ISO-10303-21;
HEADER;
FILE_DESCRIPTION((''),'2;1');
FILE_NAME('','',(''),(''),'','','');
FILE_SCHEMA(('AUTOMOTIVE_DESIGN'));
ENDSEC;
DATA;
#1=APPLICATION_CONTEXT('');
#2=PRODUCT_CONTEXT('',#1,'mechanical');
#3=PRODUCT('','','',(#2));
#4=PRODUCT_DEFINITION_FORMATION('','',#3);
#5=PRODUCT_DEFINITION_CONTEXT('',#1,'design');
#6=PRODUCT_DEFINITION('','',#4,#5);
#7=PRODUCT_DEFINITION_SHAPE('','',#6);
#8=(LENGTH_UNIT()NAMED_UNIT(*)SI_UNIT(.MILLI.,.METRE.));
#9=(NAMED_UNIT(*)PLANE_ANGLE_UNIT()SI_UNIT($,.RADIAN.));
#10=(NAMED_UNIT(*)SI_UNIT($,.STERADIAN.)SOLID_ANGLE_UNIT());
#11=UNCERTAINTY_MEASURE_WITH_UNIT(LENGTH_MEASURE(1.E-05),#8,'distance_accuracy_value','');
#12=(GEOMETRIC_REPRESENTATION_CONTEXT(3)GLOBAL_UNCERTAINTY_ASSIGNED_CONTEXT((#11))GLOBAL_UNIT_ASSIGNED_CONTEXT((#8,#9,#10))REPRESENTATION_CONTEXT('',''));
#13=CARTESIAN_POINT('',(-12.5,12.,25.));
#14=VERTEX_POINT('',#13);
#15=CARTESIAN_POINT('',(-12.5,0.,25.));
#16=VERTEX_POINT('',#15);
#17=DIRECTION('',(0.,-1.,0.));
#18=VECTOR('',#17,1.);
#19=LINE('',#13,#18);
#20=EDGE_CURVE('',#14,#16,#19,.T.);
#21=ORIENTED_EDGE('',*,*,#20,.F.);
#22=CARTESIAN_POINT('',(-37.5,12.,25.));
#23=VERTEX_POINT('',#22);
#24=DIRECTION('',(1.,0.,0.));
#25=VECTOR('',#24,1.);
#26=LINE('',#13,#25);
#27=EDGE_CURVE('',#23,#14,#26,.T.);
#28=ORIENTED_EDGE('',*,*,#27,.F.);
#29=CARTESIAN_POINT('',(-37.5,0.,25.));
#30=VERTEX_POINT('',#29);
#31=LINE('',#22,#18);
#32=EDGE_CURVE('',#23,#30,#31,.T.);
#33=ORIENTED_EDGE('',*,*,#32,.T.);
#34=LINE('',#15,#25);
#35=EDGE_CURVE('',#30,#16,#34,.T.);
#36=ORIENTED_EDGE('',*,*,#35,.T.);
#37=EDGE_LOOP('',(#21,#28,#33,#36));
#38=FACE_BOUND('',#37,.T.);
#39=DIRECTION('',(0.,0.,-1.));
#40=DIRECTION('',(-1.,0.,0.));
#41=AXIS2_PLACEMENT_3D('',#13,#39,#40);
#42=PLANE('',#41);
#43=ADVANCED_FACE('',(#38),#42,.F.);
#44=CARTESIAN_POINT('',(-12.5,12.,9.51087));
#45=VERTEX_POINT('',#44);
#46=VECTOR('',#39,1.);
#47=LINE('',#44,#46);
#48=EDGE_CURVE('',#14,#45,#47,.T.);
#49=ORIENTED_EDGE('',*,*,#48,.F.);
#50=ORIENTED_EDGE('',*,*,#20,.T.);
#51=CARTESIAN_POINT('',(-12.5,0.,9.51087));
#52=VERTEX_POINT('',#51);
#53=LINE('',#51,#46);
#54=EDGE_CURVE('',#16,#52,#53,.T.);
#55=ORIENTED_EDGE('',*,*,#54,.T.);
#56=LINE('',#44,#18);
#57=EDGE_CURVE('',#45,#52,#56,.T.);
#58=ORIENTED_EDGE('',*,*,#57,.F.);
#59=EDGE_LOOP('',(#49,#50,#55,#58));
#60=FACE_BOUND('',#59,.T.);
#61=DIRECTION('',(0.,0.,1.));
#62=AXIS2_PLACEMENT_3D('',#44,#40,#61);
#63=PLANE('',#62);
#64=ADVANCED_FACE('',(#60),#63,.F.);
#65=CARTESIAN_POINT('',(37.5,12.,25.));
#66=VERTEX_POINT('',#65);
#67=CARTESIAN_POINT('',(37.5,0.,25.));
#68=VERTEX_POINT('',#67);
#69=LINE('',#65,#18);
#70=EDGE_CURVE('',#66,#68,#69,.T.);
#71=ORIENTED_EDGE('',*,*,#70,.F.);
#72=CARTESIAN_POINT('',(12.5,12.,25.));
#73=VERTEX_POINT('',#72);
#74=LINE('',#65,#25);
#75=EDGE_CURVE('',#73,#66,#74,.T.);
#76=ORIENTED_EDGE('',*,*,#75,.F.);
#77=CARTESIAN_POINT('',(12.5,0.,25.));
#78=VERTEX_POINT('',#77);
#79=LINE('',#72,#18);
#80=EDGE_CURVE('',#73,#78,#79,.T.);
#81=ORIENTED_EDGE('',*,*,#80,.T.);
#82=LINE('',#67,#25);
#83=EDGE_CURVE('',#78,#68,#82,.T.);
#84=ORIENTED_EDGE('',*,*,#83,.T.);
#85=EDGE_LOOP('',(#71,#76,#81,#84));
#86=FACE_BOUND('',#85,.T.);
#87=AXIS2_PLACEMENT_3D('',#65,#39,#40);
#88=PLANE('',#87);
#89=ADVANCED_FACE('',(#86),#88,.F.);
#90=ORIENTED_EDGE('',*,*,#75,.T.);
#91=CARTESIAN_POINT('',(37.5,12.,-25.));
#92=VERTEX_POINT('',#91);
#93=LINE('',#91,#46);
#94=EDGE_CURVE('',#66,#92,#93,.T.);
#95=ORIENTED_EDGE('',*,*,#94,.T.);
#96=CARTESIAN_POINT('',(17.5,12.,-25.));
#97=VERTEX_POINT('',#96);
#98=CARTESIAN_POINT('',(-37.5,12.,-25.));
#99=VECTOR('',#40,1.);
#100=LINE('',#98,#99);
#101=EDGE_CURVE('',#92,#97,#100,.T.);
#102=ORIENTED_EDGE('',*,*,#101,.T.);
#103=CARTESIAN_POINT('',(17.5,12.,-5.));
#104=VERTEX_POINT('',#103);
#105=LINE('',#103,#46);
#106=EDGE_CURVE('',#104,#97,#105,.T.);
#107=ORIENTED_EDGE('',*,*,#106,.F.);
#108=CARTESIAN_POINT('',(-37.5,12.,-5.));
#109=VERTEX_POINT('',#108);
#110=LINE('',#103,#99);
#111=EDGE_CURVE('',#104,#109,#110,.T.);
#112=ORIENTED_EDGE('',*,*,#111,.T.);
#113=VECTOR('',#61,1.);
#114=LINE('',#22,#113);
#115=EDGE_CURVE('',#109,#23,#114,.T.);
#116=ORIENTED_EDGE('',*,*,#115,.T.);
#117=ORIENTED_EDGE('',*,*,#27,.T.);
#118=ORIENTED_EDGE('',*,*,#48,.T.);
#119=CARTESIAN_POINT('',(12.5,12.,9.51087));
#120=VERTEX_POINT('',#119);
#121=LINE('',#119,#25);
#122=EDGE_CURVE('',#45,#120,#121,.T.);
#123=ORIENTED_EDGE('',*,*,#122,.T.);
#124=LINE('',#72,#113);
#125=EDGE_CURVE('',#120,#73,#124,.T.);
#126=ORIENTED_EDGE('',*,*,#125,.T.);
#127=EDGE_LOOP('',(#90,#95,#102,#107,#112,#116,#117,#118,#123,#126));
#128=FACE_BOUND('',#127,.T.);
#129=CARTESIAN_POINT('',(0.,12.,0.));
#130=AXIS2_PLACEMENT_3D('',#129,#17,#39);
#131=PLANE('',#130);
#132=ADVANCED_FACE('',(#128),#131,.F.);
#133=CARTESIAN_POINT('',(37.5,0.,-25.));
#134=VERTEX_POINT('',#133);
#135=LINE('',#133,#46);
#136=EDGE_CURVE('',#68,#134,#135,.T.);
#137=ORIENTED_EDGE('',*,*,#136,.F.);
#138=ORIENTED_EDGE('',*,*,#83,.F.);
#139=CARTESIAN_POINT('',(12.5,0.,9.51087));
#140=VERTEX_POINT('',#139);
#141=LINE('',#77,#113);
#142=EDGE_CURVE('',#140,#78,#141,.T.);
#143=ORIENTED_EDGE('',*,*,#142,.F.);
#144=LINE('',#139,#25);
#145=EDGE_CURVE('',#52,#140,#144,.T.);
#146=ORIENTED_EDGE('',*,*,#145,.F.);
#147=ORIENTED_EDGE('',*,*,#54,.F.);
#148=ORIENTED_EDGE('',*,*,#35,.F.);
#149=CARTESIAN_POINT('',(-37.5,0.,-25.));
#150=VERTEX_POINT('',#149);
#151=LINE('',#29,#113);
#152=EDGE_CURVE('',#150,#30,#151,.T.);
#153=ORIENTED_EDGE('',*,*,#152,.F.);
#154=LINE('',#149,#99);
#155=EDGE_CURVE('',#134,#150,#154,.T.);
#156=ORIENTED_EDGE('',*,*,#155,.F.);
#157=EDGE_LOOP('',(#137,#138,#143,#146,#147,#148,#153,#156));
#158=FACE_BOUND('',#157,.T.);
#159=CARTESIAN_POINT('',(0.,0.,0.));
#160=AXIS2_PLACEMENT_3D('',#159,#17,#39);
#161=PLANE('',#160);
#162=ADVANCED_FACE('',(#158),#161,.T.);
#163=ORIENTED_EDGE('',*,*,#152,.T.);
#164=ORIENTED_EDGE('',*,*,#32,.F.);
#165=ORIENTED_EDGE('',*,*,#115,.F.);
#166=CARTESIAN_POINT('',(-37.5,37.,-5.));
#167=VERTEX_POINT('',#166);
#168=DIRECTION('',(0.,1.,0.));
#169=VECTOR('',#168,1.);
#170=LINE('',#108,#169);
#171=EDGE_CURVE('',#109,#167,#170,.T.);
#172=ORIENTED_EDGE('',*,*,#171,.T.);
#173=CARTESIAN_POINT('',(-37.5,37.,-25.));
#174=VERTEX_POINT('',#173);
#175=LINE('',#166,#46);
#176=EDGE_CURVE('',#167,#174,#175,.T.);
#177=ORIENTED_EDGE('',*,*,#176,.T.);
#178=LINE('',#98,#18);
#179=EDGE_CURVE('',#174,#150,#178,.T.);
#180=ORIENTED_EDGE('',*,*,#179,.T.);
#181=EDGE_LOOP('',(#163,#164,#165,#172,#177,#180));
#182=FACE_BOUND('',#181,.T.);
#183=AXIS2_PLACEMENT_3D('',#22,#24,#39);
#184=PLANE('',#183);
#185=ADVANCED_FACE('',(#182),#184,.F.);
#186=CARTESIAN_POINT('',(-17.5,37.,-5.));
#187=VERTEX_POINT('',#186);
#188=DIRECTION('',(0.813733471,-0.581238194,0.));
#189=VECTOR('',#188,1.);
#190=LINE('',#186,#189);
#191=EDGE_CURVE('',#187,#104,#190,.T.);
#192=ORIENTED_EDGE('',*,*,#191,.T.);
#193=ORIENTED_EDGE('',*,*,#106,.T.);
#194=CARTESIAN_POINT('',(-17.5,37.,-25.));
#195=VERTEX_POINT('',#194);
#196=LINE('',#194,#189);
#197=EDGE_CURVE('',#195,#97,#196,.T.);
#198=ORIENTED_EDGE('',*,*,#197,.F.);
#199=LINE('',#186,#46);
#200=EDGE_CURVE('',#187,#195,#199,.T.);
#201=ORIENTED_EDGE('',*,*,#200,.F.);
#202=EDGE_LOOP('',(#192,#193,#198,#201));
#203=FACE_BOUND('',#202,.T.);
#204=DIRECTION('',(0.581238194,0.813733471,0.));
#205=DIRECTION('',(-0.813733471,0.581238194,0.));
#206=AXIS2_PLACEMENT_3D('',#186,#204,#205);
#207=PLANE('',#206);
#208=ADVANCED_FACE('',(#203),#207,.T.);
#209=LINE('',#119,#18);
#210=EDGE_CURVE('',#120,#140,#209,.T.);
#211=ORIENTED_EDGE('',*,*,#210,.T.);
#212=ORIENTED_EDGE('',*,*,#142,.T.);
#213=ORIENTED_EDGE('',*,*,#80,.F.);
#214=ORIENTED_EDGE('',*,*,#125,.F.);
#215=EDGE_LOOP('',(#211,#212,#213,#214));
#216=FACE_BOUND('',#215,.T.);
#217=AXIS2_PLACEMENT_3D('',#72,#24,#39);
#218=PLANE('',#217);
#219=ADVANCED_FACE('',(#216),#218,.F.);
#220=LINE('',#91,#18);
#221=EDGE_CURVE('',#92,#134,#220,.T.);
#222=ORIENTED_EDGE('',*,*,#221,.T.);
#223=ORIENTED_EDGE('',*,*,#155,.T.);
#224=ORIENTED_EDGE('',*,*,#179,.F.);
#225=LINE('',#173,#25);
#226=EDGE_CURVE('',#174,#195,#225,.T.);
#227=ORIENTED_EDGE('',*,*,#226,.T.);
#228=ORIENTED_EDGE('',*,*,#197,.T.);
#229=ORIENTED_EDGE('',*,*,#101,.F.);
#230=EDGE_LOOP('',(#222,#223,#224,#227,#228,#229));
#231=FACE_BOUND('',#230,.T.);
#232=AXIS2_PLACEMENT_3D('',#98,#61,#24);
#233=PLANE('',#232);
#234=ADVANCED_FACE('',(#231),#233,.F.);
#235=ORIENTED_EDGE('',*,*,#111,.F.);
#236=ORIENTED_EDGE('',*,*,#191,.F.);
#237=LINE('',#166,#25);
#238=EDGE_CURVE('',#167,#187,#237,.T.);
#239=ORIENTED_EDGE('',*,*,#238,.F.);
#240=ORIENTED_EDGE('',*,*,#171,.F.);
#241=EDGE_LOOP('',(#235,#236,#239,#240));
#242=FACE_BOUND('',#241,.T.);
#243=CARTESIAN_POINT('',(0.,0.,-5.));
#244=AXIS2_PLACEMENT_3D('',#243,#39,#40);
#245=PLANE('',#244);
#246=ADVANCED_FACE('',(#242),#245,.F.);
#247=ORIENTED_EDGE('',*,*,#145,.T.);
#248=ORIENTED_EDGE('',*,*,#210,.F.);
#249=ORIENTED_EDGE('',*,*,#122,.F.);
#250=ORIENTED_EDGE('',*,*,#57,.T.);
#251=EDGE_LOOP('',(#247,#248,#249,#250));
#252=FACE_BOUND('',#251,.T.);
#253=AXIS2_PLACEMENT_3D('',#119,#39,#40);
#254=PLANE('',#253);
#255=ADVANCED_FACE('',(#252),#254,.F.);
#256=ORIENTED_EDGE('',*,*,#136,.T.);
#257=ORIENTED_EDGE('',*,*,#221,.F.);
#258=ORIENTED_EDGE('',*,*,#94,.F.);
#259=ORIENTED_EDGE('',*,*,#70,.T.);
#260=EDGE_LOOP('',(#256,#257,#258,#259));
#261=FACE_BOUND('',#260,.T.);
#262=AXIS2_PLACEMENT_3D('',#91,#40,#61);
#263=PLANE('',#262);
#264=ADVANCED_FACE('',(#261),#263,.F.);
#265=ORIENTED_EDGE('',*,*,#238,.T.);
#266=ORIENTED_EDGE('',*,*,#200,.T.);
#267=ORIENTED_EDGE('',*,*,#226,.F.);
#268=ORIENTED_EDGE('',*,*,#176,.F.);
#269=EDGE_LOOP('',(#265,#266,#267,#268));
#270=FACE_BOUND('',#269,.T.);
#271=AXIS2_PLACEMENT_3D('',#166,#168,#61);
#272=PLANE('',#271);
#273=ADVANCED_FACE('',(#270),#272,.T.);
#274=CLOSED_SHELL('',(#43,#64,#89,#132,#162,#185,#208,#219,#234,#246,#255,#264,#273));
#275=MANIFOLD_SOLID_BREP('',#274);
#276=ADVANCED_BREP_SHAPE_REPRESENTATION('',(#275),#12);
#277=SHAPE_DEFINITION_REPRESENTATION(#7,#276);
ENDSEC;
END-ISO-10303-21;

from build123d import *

# Parameters (mm, degrees)
BOSS_EXTRUDE1_DEPTH = 12
BOSS_EXTRUDE4_DEPTH = 20


with BuildPart() as part:
    # Sketch2 → Boss-Extrude1 (new body)
    with BuildSketch(Plane(origin=(0, 0, 0), x_dir=(1, 0, 0), z_dir=(0, 1, 0))):
        Polygon((-37.5, 25), (37.5, 25), (37.5, -25), (12.5, -25), (12.5, -9.510869565), (-12.5, -9.510869565), (-12.5, -25), (-37.5, -25), align=None)
    extrude(amount=BOSS_EXTRUDE1_DEPTH)

    # Sketch4 → Boss-Extrude4 (add)
    with BuildSketch(Plane(origin=(0, 0, -25), x_dir=(-1, 0, 0), z_dir=(0, 0, -1))):
        Polygon((37.5, 12), (37.5, 37), (17.5, 37), (-17.5, 12), align=None)
    extrude(amount=-BOSS_EXTRUDE4_DEPTH)


solid = part.part
